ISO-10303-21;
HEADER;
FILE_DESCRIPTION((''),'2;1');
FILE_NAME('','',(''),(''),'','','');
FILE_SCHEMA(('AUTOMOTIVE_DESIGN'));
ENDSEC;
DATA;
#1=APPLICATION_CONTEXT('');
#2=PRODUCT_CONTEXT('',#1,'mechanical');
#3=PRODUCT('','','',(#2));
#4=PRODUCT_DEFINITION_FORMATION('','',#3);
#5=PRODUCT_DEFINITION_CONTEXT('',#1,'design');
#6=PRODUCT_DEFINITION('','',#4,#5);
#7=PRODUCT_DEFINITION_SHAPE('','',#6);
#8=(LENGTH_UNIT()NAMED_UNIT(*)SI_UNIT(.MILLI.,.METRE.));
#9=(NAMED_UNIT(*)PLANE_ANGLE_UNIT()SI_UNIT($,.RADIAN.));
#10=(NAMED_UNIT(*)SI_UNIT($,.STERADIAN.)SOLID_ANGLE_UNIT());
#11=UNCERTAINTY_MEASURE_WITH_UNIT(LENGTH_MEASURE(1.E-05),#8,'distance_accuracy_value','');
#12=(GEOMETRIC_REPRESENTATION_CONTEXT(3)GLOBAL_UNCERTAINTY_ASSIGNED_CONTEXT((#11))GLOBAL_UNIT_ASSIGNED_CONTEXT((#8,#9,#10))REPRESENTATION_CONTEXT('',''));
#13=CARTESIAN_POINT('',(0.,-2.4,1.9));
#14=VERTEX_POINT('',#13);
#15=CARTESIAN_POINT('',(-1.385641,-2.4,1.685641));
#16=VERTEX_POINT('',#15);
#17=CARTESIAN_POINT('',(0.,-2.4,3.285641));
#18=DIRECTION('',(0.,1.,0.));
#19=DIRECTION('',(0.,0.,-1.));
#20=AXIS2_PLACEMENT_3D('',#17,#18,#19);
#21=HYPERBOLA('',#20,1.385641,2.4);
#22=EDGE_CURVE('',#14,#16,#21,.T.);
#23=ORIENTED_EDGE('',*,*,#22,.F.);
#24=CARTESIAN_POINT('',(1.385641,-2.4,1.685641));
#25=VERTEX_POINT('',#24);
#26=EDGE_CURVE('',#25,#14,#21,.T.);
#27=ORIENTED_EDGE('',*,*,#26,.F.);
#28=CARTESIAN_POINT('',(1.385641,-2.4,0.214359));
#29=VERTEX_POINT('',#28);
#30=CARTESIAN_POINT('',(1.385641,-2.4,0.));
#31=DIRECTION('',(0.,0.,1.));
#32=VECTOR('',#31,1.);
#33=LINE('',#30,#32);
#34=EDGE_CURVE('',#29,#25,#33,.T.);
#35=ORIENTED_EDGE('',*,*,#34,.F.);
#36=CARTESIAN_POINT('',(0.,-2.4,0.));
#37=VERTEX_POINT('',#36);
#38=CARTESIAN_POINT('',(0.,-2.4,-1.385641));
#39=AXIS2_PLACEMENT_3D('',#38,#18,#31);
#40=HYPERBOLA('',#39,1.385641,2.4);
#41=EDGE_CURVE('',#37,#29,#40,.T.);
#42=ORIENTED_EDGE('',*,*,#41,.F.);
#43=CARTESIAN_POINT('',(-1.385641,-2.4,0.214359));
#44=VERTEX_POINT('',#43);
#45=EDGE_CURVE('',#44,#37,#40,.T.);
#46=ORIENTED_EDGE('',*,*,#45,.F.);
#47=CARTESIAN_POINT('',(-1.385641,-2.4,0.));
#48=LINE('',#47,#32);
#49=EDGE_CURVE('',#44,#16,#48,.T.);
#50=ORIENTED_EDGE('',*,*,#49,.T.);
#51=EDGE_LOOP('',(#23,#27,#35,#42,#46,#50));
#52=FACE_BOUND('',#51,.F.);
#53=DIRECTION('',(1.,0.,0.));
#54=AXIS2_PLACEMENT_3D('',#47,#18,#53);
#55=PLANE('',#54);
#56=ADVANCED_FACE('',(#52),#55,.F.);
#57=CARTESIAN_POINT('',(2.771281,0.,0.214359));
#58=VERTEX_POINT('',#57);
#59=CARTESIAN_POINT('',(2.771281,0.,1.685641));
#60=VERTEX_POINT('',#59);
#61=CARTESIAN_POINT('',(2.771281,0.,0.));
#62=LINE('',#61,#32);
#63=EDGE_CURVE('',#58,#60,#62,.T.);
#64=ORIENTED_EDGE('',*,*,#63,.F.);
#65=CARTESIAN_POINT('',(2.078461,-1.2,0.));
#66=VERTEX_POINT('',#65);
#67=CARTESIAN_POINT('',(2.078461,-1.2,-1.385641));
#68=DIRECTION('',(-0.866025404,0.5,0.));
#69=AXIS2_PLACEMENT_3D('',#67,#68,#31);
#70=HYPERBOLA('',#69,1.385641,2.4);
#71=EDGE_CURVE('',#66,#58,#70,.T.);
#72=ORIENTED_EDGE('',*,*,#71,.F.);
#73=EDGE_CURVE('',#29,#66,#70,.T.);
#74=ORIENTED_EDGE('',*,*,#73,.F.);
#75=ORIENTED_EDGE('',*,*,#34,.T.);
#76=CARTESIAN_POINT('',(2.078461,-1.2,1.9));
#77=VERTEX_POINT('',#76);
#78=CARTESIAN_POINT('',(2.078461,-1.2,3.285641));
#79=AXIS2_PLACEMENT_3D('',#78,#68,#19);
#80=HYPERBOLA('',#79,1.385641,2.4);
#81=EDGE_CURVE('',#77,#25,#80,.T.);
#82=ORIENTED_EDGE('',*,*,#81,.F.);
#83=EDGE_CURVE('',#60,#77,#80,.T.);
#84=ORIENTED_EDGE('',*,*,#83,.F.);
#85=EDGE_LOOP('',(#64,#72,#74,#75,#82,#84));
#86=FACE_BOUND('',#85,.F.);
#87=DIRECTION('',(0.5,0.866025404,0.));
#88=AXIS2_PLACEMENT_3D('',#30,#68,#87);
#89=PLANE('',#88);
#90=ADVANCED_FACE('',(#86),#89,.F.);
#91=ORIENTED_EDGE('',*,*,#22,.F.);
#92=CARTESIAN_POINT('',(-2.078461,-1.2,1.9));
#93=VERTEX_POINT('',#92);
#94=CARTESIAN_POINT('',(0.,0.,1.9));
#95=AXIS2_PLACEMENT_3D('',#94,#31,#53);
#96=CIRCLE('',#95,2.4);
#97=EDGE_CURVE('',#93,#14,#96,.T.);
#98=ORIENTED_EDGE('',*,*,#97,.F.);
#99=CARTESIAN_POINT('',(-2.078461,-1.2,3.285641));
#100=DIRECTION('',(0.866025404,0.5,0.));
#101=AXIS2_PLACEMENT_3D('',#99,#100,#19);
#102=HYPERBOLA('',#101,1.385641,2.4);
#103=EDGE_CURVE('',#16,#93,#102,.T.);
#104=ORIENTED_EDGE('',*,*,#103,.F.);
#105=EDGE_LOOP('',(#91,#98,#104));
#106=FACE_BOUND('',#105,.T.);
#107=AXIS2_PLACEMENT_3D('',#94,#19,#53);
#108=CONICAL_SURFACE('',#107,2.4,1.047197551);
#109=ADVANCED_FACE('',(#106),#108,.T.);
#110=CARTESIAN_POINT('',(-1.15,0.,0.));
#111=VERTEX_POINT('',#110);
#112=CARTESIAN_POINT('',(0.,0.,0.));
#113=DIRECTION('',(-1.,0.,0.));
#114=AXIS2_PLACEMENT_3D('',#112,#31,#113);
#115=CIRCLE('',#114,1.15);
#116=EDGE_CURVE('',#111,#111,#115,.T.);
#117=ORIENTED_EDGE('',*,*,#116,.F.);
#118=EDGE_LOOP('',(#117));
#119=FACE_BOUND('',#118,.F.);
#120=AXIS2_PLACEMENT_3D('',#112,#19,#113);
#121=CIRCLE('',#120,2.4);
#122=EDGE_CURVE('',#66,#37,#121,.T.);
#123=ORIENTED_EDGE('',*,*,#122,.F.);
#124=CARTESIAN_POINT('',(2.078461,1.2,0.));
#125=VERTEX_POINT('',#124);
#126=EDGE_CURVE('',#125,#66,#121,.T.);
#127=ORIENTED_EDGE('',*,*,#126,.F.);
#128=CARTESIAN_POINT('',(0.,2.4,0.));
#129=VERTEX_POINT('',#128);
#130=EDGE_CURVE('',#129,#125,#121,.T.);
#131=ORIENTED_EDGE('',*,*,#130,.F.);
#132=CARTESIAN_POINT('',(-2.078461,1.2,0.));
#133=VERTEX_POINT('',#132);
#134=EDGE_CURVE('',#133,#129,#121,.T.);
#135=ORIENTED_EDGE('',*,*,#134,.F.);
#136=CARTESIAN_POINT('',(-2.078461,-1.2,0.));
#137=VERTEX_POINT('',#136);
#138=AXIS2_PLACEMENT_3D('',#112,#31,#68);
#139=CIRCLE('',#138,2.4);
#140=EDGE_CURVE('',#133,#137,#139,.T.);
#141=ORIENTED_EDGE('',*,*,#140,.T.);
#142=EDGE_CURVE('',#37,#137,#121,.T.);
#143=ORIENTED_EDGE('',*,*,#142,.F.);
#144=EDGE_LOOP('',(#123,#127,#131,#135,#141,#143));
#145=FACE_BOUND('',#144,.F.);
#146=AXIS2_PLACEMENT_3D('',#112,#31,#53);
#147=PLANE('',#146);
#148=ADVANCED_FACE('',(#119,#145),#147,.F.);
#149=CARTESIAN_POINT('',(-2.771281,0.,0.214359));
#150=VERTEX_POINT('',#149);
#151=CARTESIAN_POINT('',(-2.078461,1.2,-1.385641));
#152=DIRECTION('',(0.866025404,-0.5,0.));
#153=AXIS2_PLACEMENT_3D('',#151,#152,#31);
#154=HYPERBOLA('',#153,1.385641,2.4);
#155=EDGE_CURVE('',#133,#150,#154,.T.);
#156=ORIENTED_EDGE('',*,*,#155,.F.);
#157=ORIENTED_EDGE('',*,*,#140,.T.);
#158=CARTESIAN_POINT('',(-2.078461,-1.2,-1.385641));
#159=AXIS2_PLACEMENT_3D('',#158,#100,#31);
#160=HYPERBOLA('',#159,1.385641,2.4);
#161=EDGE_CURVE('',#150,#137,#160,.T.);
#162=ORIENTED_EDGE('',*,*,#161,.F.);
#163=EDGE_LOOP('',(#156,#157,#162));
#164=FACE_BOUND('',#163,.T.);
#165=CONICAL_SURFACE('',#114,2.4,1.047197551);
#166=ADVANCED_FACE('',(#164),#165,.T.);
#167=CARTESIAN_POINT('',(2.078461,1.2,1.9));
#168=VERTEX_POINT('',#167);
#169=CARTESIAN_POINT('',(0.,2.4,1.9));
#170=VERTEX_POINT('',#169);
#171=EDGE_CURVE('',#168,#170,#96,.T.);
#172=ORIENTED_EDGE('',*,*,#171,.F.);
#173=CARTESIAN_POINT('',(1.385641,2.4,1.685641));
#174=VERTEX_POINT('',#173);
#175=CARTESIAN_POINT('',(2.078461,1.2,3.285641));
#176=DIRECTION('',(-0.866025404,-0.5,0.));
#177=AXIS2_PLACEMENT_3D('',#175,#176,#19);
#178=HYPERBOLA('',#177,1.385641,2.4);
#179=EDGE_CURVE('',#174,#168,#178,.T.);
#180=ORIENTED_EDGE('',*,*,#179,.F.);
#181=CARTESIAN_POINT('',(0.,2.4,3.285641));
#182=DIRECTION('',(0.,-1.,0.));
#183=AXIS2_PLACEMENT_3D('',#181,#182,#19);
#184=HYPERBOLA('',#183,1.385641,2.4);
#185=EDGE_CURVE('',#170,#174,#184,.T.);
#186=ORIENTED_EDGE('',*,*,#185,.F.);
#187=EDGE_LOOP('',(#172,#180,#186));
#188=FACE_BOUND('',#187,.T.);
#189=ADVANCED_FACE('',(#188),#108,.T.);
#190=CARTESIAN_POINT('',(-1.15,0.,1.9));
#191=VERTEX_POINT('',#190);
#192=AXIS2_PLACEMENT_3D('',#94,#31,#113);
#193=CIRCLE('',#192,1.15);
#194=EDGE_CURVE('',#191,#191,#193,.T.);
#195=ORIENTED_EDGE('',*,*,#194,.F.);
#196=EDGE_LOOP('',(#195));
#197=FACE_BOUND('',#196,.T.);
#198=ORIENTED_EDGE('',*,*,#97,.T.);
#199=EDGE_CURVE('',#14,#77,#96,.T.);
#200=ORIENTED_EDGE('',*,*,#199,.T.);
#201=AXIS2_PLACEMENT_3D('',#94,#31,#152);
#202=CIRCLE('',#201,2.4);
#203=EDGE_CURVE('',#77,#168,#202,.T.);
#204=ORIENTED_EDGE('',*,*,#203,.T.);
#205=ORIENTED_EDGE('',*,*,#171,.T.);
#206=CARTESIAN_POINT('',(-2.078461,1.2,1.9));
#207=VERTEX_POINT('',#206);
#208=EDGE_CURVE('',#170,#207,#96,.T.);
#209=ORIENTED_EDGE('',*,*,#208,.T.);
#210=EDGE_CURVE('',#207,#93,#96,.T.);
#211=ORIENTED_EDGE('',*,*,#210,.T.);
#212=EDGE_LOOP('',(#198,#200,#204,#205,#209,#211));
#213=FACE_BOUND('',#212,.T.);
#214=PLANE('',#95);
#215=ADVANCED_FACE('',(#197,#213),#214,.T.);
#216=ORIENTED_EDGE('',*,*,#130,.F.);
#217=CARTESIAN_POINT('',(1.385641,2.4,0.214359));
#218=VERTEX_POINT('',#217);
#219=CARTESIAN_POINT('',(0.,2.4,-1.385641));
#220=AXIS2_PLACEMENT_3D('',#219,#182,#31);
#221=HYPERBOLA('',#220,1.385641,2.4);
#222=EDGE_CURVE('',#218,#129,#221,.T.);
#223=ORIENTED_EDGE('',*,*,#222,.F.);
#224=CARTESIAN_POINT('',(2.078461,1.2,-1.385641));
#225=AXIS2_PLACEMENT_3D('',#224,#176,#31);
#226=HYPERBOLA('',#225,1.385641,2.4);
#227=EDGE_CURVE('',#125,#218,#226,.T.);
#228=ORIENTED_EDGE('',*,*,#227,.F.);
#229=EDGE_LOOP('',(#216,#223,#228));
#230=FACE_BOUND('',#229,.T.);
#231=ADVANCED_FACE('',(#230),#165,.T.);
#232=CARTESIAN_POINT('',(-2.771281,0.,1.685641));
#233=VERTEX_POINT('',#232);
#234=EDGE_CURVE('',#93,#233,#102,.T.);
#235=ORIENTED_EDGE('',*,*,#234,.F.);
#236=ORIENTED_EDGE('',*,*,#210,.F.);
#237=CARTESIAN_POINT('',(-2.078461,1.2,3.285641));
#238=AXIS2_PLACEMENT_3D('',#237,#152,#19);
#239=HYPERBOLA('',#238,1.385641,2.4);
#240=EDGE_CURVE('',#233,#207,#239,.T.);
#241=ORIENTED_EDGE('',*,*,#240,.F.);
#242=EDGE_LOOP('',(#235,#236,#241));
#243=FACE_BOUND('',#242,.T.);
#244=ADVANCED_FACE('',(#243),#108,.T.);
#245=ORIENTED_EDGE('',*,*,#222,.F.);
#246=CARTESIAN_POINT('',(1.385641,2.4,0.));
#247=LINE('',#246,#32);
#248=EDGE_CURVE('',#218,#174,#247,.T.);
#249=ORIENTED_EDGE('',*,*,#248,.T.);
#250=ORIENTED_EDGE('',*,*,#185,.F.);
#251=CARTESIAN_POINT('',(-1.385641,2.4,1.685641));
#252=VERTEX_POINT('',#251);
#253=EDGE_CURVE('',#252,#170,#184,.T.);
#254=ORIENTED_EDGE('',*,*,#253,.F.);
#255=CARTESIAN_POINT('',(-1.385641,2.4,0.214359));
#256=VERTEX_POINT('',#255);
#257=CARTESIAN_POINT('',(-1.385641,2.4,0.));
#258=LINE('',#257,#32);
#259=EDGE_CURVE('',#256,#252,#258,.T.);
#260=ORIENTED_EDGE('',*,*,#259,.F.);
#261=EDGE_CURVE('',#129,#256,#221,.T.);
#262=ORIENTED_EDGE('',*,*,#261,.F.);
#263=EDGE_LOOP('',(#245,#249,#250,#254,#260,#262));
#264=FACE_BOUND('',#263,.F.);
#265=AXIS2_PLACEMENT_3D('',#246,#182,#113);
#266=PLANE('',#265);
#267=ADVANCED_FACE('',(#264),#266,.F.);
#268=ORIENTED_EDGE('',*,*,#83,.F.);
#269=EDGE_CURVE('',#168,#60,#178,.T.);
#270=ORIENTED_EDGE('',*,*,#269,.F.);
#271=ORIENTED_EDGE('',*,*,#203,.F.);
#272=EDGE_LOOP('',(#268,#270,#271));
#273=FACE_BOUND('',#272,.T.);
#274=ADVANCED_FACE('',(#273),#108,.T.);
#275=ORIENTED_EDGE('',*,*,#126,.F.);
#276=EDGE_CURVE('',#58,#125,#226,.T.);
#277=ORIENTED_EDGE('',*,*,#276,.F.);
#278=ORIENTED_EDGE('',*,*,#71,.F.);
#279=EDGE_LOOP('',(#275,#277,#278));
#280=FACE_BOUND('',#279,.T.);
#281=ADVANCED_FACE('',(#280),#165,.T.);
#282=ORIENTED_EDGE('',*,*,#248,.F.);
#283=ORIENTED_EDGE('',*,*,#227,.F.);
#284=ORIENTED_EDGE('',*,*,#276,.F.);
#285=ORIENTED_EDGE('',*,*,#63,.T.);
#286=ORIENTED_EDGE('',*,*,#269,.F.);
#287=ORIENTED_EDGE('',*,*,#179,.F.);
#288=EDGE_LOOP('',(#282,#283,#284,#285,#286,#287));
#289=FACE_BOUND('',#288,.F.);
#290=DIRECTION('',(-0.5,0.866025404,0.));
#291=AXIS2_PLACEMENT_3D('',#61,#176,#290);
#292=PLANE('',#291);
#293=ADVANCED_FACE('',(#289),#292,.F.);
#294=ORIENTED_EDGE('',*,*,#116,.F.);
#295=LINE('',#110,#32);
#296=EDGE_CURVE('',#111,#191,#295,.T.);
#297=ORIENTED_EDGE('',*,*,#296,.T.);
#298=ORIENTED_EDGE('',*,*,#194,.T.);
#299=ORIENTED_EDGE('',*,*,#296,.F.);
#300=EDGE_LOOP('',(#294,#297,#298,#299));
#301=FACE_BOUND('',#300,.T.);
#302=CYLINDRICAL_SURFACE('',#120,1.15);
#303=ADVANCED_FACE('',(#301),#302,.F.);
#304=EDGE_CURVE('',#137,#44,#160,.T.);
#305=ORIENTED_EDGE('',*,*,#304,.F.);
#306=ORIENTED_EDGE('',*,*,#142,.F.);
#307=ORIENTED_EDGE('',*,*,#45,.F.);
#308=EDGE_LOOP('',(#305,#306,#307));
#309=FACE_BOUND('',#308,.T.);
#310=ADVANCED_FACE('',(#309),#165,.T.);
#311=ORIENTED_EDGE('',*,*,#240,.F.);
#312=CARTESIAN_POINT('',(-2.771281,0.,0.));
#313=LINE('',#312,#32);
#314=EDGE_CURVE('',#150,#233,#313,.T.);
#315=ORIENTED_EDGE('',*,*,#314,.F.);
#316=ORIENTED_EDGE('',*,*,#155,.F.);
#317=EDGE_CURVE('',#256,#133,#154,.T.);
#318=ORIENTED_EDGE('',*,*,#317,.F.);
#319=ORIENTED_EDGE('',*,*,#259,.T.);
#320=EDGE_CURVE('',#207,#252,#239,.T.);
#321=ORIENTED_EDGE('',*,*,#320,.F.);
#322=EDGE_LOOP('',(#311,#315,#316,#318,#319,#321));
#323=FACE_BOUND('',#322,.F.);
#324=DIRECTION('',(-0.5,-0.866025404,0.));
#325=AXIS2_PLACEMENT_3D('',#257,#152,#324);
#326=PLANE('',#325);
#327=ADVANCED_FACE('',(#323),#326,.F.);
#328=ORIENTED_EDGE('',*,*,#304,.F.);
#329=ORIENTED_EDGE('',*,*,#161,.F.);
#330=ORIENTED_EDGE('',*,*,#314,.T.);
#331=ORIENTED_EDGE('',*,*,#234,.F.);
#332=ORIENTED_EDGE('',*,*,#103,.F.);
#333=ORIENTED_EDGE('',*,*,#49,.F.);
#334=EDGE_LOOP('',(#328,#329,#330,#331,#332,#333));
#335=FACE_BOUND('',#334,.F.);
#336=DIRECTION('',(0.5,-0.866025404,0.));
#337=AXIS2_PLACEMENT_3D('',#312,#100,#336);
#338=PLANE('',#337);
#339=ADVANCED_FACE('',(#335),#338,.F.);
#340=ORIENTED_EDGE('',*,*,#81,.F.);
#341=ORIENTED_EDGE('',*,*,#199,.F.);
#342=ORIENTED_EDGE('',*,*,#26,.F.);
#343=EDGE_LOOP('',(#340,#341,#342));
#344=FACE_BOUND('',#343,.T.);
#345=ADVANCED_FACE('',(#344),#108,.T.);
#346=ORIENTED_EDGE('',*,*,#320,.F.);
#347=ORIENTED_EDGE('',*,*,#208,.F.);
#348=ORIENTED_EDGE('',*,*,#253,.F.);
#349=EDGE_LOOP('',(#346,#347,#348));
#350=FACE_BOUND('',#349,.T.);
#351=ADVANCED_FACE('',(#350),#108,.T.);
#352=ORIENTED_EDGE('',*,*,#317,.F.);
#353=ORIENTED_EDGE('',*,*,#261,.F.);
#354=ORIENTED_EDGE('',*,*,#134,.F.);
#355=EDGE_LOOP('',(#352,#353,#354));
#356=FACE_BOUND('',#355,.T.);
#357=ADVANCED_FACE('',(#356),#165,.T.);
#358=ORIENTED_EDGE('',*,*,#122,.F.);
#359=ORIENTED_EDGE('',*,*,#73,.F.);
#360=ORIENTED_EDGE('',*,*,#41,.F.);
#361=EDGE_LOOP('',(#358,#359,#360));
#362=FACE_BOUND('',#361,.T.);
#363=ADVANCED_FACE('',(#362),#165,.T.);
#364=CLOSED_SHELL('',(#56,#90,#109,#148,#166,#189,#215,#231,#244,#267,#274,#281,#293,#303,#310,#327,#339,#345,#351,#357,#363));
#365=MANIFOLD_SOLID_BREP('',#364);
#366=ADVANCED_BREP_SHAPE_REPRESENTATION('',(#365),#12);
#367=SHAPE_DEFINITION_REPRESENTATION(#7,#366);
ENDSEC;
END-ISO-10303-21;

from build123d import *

# Parameters (mm, degrees)
SKETCH1_R           = 1.15
BOSS_EXTRUDE1_DEPTH = 1.9
SKETCH2_OUTSIDE_W   = 43.698
SKETCH2_OUTSIDE_H   = 42.956
SKETCH2_OUTSIDE_R   = 2.4
CUT_EXTRUDE1_DEPTH  = 10
CUT_EXTRUDE1_DRAFT  = -60
SKETCH3_OUTSIDE_W   = 43.698
SKETCH3_OUTSIDE_H   = 42.956
SKETCH3_OUTSIDE_R   = 2.4
CUT_EXTRUDE2_DEPTH  = 10
CUT_EXTRUDE2_DRAFT  = -60


with BuildPart() as part:
    # Sketch1 → Boss-Extrude1 (new body)
    with BuildSketch(Plane.XY):
        Polygon((-1.385640646, 2.4), (-2.771281292, 0), (-1.385640646, -2.4), (1.385640646, -2.4), (2.771281292, 0), (1.385640646, 2.4), align=None)
        with Locations(Location((0, 0, 0), (0, 0, 180))):
            Circle(SKETCH1_R, mode=Mode.SUBTRACT)
    extrude(amount=BOSS_EXTRUDE1_DEPTH)


with BuildPart() as cut_extrude1_tool:
    # Sketch2 outside → Cut-Extrude1 (with draft: the straight prism first)
    with BuildSketch(Plane.XY.offset(1.9)):
        Rectangle(SKETCH2_OUTSIDE_W, SKETCH2_OUTSIDE_H)
        Circle(SKETCH2_OUTSIDE_R, mode=Mode.SUBTRACT)
    extrude(amount=-CUT_EXTRUDE1_DEPTH)
    # Cut-Extrude1: the draft: its side faces are tilted about the plane it starts from
    cut_extrude1_sides = [cut_extrude1_tool.faces().sort_by_distance(p)[0] for p in [
        (0, -21.478, -3.1),
        (21.849, 0, -3.1),
        (0, 21.478, -3.1),
        (-21.849, 0, -3.1),
        (-2.4, 0, -3.1),
    ]]
    draft(cut_extrude1_sides, Plane.XY.offset(1.9), CUT_EXTRUDE1_DRAFT)


with BuildPart() as part_1:
    add(part.part)

    # Cut-Extrude1: cut by cut_extrude1_tool
    add(cut_extrude1_tool.part, mode=Mode.SUBTRACT)


with BuildPart() as cut_extrude2_tool:
    # Sketch3 outside → Cut-Extrude2 (with draft: the straight prism first)
    with BuildSketch(Plane(origin=(0, 0, 0), x_dir=(-1, 0, 0), z_dir=(0, 0, -1))):
        Rectangle(SKETCH3_OUTSIDE_W, SKETCH3_OUTSIDE_H)
        Circle(SKETCH3_OUTSIDE_R, mode=Mode.SUBTRACT)
    extrude(amount=-CUT_EXTRUDE2_DEPTH)
    # Cut-Extrude2: the draft: its side faces are tilted about the plane it starts from
    cut_extrude2_sides = [cut_extrude2_tool.faces().sort_by_distance(p)[0] for p in [
        (0, -21.478, 5),
        (-21.849, 0, 5),
        (0, 21.478, 5),
        (21.849, 0, 5),
        (2.4, 0, 5),
    ]]
    draft(cut_extrude2_sides, Plane(origin=(0, 0, 0), x_dir=(-1, 0, 0), z_dir=(0, 0, -1)), CUT_EXTRUDE2_DRAFT)


with BuildPart() as part_2:
    add(part_1.part)

    # Cut-Extrude2: cut by cut_extrude2_tool
    add(cut_extrude2_tool.part, mode=Mode.SUBTRACT)


solid = part_2.part
